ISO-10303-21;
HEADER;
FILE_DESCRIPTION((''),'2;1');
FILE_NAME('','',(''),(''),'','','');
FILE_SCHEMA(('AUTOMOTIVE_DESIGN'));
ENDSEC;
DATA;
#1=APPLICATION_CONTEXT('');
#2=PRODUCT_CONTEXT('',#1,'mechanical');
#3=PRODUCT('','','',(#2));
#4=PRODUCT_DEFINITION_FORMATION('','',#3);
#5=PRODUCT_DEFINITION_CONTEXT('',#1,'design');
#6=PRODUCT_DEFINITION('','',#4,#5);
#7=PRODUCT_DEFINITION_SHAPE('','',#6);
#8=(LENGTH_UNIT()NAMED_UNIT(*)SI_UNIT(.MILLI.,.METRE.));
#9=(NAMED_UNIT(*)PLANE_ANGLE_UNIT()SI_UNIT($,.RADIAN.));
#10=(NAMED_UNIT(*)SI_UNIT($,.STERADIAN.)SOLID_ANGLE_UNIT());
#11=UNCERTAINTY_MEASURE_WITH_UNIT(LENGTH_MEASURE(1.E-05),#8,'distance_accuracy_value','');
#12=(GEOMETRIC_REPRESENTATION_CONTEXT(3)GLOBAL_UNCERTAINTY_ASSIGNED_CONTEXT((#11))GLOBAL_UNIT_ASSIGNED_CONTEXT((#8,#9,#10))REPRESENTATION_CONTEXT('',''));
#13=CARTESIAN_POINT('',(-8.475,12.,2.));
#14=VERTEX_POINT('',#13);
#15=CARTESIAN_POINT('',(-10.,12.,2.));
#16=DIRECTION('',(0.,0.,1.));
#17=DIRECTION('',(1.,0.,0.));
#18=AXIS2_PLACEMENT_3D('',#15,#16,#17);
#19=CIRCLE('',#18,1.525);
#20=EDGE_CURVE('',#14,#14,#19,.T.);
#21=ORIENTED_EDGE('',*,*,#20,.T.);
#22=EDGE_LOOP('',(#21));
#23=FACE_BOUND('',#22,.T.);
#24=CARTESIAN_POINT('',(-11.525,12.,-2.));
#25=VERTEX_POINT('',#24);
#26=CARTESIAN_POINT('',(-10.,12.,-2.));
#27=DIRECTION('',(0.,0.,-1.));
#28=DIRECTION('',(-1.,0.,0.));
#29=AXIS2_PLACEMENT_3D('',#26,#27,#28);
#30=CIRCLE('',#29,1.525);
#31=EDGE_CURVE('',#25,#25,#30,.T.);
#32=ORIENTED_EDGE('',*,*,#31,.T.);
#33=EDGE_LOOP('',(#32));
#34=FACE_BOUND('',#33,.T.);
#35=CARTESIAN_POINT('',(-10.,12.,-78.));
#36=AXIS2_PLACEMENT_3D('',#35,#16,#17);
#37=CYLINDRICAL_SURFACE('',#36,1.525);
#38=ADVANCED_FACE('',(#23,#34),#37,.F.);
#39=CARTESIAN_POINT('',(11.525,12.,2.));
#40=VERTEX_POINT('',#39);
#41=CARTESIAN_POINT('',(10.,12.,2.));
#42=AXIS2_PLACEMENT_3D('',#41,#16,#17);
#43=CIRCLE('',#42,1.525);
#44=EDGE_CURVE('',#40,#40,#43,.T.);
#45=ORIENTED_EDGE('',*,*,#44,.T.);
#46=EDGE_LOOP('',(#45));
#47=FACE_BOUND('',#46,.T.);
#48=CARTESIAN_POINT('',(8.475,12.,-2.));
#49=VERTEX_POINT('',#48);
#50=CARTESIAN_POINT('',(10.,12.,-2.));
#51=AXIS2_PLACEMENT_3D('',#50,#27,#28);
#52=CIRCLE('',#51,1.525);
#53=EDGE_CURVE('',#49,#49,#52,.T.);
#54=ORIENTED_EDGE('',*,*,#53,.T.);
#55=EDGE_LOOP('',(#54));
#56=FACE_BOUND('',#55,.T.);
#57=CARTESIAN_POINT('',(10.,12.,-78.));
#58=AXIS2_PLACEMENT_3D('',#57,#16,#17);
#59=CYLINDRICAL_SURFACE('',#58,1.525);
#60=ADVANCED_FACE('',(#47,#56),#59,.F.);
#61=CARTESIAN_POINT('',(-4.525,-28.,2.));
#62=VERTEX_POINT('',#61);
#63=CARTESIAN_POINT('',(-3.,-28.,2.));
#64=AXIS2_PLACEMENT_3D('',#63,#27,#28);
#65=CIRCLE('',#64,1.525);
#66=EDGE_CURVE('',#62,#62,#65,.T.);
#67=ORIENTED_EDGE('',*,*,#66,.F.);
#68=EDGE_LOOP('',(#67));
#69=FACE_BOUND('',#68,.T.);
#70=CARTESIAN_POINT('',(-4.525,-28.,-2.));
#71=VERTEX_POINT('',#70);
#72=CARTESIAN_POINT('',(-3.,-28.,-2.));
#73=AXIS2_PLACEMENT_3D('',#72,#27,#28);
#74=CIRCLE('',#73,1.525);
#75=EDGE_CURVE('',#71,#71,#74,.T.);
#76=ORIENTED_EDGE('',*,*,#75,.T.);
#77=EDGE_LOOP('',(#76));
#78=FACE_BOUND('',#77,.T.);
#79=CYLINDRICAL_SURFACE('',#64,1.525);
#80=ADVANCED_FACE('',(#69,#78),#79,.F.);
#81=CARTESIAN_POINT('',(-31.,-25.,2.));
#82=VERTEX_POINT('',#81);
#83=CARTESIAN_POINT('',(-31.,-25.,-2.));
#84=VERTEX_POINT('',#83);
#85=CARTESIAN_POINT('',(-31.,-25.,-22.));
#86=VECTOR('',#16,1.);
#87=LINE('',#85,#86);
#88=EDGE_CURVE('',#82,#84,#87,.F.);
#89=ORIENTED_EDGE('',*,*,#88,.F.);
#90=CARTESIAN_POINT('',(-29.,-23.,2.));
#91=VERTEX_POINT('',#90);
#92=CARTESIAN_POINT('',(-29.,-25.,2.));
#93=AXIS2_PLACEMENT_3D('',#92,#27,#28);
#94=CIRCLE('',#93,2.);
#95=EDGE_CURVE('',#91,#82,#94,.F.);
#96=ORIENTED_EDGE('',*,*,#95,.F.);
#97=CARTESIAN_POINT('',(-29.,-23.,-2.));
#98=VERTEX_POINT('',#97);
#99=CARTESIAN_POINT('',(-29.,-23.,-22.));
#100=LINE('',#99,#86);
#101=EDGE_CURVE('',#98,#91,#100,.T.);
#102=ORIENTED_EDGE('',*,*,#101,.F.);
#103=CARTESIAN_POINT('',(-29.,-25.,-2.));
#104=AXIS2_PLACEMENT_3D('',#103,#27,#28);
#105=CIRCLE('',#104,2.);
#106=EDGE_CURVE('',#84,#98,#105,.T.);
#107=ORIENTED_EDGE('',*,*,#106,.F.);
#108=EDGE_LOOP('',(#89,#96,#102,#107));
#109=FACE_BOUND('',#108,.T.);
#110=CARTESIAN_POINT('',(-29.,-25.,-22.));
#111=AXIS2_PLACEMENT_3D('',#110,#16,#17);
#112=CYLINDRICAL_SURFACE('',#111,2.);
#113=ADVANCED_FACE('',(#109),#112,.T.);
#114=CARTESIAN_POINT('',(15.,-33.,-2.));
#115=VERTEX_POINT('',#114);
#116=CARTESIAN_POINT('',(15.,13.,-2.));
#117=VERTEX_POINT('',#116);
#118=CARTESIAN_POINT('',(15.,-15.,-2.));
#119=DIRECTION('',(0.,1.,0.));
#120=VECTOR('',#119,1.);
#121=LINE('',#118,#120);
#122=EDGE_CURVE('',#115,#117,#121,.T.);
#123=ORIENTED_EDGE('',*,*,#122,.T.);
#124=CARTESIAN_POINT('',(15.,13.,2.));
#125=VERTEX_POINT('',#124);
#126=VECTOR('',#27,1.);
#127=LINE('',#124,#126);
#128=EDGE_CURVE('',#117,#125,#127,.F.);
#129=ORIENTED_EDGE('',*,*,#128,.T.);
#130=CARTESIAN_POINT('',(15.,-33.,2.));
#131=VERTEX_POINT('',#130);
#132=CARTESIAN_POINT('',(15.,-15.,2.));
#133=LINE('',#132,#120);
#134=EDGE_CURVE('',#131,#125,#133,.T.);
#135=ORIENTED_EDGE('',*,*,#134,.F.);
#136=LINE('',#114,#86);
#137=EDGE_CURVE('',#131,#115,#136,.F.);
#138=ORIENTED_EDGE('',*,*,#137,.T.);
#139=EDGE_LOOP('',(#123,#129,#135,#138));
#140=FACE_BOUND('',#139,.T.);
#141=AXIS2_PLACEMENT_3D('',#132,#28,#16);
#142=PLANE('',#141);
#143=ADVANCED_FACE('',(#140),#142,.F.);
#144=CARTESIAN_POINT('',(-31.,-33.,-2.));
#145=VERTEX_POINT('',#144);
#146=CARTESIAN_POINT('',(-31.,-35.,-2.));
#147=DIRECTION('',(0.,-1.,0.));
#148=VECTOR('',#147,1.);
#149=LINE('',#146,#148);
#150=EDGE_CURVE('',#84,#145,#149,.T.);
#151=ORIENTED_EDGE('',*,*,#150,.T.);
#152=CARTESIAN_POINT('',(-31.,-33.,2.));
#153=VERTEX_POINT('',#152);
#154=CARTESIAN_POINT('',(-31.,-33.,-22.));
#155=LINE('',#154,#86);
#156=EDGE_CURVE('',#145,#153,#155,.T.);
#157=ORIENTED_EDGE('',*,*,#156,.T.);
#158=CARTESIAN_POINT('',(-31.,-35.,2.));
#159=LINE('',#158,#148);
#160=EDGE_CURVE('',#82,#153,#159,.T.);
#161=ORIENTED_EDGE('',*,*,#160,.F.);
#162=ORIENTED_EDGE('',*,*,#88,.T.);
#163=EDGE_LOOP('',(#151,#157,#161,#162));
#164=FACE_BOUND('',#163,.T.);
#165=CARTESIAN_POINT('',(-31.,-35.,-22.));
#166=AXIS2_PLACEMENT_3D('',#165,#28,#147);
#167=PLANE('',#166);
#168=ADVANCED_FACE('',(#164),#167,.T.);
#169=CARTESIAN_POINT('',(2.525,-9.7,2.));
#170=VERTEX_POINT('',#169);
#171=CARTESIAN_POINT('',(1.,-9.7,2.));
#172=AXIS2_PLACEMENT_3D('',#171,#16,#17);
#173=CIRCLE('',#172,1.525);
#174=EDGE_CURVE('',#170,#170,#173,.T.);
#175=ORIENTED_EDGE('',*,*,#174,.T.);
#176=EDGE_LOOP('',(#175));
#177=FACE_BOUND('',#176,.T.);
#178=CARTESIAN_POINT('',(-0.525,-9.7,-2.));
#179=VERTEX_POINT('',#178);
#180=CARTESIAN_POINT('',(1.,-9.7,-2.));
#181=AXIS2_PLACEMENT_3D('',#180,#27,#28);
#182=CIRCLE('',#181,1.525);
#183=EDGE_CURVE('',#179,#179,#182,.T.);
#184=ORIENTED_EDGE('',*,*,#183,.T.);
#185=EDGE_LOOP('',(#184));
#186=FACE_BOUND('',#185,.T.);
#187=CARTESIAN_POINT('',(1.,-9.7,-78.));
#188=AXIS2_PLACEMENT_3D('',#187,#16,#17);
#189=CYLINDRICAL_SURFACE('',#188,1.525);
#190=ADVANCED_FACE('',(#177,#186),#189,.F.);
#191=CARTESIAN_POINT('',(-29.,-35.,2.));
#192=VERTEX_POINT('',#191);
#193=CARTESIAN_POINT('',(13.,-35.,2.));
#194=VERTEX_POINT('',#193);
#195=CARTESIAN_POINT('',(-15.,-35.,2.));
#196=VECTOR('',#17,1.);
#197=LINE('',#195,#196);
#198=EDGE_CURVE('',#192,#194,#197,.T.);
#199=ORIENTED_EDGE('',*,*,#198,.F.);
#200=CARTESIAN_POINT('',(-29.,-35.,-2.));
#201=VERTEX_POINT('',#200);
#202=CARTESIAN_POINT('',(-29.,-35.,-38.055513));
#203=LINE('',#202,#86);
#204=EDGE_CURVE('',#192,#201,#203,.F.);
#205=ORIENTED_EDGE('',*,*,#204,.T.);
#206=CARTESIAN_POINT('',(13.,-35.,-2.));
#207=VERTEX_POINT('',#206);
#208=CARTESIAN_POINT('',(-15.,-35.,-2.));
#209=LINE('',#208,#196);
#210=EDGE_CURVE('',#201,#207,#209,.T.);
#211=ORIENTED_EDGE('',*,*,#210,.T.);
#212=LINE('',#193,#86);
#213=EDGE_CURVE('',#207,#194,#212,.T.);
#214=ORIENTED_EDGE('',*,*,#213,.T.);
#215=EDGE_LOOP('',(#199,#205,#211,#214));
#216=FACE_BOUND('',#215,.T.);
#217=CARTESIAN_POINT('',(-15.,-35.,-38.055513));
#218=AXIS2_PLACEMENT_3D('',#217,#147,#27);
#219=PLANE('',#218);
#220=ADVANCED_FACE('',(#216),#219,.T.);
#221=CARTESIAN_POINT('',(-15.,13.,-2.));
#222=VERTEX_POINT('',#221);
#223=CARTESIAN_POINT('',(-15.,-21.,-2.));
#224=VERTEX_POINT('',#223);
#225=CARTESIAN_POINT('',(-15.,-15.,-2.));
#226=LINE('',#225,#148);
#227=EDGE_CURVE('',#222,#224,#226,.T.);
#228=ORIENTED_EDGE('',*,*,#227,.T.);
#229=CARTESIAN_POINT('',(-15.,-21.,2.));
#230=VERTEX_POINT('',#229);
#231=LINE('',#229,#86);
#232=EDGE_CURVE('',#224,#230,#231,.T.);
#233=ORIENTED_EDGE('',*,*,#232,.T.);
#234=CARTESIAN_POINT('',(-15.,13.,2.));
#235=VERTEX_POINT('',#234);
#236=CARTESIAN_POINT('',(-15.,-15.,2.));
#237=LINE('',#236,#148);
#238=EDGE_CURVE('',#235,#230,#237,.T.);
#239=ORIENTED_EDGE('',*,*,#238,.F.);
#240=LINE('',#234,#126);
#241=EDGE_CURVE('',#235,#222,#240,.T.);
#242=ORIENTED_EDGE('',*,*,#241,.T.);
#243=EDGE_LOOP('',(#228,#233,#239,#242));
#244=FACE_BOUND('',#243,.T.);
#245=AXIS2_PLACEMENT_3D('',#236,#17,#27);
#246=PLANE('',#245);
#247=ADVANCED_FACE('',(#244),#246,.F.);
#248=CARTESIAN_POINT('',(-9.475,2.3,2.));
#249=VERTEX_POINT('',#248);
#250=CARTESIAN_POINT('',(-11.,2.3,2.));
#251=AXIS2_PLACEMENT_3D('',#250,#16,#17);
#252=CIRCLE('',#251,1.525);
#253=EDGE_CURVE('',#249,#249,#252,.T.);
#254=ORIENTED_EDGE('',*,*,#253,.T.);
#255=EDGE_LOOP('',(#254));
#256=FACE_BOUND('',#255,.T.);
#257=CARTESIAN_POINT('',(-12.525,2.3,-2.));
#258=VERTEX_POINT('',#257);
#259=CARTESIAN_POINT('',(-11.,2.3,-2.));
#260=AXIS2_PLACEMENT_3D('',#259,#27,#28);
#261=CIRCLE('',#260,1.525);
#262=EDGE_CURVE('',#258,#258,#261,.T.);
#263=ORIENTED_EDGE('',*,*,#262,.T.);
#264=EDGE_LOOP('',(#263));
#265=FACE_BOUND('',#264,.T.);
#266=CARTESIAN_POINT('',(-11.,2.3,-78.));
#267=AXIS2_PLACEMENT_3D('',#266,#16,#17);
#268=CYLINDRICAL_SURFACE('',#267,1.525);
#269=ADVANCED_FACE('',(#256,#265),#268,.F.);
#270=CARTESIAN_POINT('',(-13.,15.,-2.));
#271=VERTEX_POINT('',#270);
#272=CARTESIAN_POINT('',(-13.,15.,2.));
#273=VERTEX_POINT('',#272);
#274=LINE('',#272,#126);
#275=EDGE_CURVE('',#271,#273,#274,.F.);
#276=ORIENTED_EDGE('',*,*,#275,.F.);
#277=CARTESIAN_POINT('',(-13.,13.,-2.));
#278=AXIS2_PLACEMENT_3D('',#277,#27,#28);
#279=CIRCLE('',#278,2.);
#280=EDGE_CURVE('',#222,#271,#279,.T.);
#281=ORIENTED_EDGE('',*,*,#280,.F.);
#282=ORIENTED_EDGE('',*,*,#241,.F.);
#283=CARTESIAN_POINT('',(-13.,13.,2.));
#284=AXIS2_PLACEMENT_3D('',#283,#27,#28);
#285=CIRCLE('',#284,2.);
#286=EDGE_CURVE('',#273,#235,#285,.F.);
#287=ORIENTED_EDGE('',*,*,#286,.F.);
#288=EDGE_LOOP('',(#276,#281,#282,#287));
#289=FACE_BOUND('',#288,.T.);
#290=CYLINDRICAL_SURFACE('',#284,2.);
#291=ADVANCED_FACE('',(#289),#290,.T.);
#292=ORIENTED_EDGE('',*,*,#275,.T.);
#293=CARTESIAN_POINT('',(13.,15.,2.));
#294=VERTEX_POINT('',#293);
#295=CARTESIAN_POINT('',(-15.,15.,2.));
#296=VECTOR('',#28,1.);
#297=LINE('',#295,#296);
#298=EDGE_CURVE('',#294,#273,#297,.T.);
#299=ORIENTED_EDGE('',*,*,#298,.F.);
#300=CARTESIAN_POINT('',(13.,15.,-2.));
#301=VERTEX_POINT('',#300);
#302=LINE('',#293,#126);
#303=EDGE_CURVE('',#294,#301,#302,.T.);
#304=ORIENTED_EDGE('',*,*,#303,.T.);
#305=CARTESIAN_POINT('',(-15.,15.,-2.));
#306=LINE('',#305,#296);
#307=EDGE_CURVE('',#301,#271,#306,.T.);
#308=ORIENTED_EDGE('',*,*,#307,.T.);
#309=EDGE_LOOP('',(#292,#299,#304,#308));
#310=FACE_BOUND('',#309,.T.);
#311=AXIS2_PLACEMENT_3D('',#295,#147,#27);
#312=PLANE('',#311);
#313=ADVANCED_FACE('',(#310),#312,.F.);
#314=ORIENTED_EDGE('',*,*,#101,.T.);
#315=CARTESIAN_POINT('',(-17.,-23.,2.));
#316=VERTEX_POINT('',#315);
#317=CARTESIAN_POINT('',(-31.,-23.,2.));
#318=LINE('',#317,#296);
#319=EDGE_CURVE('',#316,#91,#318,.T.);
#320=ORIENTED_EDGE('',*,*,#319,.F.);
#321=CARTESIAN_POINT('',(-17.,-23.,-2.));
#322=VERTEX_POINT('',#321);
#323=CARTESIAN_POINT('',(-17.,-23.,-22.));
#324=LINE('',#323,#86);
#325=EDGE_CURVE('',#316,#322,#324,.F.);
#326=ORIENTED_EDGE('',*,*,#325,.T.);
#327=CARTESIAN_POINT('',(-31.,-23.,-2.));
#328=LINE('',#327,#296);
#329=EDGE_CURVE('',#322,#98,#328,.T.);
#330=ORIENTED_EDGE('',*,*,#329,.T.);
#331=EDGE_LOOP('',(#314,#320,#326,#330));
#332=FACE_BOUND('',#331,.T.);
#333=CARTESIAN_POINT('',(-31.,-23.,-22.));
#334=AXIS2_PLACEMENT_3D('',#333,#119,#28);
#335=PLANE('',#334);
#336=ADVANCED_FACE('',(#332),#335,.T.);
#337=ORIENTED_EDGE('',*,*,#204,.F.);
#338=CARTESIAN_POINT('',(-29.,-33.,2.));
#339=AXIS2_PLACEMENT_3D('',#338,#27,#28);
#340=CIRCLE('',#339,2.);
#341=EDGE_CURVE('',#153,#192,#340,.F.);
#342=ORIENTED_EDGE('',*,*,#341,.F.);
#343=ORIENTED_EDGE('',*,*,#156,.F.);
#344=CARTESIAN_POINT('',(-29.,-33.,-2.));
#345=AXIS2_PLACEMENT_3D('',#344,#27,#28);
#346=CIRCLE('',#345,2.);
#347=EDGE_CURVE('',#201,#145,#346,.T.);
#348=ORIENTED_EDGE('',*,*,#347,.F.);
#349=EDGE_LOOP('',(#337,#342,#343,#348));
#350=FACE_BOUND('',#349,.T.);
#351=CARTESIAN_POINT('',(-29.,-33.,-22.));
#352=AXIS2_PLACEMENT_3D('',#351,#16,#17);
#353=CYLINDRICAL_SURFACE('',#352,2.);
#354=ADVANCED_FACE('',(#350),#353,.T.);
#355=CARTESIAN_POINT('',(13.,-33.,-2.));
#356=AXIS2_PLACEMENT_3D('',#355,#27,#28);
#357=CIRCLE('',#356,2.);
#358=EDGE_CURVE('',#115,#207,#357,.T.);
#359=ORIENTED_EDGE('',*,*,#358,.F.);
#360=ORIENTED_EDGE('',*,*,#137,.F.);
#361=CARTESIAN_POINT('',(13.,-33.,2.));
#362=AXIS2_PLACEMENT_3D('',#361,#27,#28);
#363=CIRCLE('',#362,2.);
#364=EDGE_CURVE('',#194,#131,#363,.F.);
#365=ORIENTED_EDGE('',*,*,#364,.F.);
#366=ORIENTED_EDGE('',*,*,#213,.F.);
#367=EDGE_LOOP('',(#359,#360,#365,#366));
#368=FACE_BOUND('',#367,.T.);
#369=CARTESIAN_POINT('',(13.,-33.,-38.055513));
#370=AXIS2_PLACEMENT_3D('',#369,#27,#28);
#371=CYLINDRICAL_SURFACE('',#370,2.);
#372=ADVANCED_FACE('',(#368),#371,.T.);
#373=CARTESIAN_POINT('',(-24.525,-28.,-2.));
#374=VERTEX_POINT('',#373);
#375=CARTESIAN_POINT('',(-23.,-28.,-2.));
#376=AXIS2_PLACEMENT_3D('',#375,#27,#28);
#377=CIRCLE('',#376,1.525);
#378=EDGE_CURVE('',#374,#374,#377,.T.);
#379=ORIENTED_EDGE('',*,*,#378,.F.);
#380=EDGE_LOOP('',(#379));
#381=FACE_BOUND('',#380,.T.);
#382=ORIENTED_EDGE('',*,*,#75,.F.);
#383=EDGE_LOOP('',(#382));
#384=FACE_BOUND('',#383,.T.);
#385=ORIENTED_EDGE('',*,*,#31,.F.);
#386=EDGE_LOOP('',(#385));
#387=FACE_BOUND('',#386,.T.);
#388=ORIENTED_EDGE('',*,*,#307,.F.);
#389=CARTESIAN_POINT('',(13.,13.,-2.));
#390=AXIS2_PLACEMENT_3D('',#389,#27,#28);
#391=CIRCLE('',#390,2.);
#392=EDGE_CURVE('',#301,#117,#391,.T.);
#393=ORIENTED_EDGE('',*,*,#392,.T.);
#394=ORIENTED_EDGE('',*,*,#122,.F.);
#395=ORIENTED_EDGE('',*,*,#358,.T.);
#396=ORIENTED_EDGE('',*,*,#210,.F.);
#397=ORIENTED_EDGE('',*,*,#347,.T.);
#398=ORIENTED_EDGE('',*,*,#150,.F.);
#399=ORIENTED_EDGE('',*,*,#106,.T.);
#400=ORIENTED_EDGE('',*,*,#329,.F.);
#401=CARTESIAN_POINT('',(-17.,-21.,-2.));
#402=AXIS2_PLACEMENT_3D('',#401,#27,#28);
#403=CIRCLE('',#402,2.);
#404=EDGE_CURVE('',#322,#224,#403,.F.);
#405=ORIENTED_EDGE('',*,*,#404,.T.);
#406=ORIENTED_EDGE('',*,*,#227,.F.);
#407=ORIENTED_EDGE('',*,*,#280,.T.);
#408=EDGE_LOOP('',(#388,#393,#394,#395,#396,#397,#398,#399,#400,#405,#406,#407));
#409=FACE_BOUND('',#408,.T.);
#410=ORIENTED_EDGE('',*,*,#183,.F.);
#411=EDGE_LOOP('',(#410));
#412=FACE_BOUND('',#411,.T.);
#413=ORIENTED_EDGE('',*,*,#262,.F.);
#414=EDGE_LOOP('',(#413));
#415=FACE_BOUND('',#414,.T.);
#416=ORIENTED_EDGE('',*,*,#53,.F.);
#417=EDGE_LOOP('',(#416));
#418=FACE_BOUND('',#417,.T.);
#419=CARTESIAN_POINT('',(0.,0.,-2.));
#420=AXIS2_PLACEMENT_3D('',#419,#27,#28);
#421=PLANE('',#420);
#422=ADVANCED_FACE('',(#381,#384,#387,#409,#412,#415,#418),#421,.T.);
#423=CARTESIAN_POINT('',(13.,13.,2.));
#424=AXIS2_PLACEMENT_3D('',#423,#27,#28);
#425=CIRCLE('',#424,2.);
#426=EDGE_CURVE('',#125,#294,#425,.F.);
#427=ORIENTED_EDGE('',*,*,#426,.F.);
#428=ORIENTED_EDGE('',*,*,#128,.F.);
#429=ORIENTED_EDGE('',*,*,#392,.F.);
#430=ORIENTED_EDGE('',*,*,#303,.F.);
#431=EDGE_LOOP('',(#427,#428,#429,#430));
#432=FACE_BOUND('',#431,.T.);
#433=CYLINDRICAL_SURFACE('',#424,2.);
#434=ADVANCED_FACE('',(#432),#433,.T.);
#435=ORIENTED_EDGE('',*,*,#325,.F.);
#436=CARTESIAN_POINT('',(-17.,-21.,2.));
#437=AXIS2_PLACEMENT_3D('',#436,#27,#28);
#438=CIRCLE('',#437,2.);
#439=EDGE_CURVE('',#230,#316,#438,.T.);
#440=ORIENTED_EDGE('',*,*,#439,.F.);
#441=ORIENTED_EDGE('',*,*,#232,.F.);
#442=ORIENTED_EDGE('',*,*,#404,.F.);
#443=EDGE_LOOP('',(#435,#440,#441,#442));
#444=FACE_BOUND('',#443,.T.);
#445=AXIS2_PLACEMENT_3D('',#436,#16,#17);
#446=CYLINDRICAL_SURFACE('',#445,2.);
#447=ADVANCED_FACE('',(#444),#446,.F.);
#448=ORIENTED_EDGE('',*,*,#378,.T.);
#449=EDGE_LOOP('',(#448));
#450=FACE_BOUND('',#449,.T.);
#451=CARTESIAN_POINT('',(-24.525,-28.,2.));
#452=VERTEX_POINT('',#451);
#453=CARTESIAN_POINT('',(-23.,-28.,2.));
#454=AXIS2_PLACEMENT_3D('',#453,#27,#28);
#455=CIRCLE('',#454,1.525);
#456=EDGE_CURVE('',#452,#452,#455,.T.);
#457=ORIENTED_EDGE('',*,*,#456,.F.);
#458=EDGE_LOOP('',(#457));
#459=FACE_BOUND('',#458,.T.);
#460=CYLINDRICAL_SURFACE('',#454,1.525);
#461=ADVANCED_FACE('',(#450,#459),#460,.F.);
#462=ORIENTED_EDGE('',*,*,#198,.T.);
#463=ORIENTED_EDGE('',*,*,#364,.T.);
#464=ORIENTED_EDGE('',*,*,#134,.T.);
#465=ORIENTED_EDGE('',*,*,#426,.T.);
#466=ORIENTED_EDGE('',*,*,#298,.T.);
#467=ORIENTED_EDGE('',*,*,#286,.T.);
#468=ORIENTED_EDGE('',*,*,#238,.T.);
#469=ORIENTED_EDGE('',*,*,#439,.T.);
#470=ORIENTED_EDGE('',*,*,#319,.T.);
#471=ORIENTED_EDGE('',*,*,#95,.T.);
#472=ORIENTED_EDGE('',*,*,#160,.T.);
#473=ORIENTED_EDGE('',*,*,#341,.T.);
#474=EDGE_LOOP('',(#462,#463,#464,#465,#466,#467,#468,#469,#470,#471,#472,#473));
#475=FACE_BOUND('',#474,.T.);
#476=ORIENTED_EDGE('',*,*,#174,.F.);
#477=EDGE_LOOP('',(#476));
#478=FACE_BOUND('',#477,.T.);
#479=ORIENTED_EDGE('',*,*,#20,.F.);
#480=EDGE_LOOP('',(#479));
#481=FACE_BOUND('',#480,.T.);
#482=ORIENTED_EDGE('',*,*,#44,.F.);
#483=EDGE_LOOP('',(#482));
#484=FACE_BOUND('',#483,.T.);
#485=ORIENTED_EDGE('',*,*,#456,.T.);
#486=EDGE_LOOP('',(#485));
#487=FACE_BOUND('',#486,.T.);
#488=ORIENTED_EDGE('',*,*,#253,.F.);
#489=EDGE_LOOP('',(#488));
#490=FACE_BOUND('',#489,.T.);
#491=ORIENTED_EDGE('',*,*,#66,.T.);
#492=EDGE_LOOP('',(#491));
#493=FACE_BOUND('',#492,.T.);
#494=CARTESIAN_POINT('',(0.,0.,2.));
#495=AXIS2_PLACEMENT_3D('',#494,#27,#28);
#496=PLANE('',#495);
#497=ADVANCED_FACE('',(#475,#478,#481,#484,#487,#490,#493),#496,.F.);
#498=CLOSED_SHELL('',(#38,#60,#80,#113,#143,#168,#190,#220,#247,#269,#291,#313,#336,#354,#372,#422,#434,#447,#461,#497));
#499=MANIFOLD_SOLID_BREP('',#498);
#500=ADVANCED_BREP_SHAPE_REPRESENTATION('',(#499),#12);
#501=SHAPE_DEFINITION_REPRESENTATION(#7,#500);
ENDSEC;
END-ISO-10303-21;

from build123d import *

# Parameters (mm, degrees)
SKETCH_2_W          = 30
SKETCH_2_H          = 30
EXTRUDE_1_DEPTH     = 2
SKETCH_3_W          = 30
SKETCH_3_H          = 20
EXTRUDE_2_DEPTH     = 4
SKETCH_6_R          = 1.525
CUT_EXTRUDE_1_DEPTH = 80
SKETCH_7_W          = 16
SKETCH_7_H          = 12
EXTRUDE_3_DEPTH     = 4
SKETCH_9_R          = 1.525
CUT_EXTRUDE_2_DEPTH = 4
FILLET_2_R          = 2


with BuildPart() as part:
    # 草图2 → 凸台-拉伸1 (new body, symmetric)
    with BuildSketch(Plane.XY):
        Rectangle(SKETCH_2_W, SKETCH_2_H)
    extrude(amount=EXTRUDE_1_DEPTH, both=True)

    # 草图3 → 凸台-拉伸2 (add)
    with BuildSketch(Plane.XY.offset(2)):
        with Locations((0, -25)):
            Rectangle(SKETCH_3_W, SKETCH_3_H)
    extrude(amount=-EXTRUDE_2_DEPTH)

    # 草图6 → 切除-拉伸1 (cut)
    with BuildSketch(Plane.XY.offset(2)):
        with Locations((1, -9.7)):
            Circle(SKETCH_6_R)
        with Locations((-11, 2.3)):
            Circle(SKETCH_6_R)
        with Locations((-10, 12)):
            Circle(SKETCH_6_R)
        with Locations((10, 12)):
            Circle(SKETCH_6_R)
    extrude(amount=-CUT_EXTRUDE_1_DEPTH, mode=Mode.SUBTRACT)

    # 草图7 → 凸台-拉伸3 (add)
    with BuildSketch(Plane.XY.offset(2)):
        with Locations((-23, -29)):
            Rectangle(SKETCH_7_W, SKETCH_7_H)
    extrude(amount=-EXTRUDE_3_DEPTH)

    # 草图9 → 切除-拉伸2 (cut)
    with BuildSketch(Plane(origin=(0, 0, -2), x_dir=(-1, 0, 0), z_dir=(0, 0, -1))):
        with Locations((3, -28)):
            Circle(SKETCH_9_R)
        with Locations((23, -28)):
            Circle(SKETCH_9_R)
    extrude(amount=-CUT_EXTRUDE_2_DEPTH, mode=Mode.SUBTRACT)

    # 圆角2
    fillet_2_edges = [part.edges().sort_by_distance(p)[0] for p in [
        (15, -35, 0),
        (-31, -23, 0),
        (-31, -35, 0),
        (-15, -23, 0),
        (-15, 15, 0),
        (15, 15, 0),
    ]]
    fillet(fillet_2_edges, radius=FILLET_2_R)


solid = part.part
